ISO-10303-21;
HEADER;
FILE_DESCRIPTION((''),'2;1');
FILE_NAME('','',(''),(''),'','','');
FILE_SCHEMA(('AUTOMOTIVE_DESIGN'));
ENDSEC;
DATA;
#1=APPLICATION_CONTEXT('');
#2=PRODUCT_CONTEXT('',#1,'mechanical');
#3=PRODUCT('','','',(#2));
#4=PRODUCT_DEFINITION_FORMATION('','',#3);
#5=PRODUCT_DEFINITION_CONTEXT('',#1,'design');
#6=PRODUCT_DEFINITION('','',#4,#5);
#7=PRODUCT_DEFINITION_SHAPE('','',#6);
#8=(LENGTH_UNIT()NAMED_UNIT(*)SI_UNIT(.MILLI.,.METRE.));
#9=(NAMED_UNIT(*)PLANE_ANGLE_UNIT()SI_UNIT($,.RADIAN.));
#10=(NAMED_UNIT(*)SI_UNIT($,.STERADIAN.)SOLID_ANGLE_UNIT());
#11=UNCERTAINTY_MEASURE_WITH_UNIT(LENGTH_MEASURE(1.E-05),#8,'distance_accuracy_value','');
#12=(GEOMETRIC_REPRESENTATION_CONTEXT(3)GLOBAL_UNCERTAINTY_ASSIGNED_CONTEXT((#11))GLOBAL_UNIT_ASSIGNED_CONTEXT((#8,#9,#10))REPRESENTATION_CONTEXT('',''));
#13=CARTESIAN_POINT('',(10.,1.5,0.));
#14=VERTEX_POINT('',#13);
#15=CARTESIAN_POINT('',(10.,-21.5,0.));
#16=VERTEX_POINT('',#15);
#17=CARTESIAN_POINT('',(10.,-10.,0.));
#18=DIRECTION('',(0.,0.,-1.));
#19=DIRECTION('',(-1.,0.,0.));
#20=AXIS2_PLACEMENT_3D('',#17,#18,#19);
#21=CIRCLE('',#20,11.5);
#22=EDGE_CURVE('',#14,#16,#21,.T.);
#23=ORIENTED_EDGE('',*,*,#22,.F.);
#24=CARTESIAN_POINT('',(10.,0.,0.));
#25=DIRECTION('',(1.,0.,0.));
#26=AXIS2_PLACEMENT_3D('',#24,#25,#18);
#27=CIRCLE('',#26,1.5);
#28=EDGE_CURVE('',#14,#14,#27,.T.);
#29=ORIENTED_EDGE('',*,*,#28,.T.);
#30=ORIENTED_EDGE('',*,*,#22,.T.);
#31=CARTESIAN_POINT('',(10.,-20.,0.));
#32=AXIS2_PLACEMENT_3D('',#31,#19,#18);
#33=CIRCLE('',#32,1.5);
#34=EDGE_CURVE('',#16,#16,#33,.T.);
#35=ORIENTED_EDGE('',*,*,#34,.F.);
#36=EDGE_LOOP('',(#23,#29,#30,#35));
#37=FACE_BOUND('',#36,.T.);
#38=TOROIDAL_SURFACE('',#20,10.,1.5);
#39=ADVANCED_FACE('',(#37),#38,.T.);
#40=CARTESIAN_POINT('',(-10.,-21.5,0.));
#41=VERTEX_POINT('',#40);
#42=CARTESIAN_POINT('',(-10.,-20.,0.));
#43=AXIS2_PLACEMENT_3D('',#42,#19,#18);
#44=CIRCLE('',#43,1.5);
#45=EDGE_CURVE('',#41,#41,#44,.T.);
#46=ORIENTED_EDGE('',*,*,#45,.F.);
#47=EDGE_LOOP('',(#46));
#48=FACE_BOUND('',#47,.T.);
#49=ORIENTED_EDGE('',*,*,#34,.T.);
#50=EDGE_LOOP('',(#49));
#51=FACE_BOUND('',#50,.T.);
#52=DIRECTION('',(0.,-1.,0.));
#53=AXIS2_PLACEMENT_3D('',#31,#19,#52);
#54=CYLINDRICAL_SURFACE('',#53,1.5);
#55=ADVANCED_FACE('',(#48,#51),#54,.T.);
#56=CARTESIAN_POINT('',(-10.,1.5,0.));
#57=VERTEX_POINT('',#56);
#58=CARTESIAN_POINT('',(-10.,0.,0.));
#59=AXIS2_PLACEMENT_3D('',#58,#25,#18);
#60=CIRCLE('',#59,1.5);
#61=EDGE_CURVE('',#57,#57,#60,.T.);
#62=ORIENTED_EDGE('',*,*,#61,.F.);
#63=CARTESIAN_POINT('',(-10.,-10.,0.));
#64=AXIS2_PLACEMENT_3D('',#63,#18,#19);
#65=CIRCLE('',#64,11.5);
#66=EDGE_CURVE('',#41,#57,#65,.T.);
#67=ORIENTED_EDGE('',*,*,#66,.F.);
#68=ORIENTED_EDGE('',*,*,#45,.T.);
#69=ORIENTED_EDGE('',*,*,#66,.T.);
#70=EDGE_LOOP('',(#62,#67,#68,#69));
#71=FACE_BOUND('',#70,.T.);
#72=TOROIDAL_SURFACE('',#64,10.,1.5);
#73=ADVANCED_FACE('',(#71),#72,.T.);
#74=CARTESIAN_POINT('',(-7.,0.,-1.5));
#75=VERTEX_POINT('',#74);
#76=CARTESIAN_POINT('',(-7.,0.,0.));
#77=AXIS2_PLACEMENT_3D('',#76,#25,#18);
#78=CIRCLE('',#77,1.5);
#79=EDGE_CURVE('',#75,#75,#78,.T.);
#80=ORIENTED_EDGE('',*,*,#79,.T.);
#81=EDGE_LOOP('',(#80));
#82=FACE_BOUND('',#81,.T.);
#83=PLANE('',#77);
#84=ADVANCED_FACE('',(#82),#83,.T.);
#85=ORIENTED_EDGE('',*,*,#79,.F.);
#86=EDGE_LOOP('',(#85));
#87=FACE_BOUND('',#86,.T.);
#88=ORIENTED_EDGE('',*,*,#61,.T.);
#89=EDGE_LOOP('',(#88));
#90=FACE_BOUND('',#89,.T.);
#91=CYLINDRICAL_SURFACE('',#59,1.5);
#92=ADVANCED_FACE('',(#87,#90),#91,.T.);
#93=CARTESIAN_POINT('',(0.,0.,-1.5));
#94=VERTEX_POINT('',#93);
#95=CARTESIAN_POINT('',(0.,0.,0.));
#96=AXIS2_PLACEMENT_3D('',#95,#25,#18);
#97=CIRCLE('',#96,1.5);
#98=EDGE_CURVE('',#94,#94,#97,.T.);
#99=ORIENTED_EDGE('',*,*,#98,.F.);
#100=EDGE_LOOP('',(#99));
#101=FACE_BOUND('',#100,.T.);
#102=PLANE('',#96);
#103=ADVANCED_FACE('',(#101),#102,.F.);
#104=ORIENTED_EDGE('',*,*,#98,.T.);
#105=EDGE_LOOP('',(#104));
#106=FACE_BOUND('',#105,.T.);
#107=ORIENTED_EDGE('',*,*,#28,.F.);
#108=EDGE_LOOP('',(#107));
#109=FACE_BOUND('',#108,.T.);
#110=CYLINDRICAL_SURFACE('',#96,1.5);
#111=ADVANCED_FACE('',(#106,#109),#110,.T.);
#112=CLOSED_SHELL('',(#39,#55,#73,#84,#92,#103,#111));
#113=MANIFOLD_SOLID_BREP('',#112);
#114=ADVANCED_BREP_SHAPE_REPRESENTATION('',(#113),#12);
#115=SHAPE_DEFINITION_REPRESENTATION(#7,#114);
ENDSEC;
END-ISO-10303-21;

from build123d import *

# Parameters (mm, degrees)
SKETCH1_R = 1.5


with BuildPart() as part:
    # Sweep1: sweep along a path in Sketch2
    with BuildLine(Plane.XY) as sweep1_path:
        Line((0, 0), (10, 0))
        ThreePointArc((10, 0), (20, -10), (10, -20))
        Line((10, -20), (-10, -20))
        ThreePointArc((-10, -20), (-20, -10), (-10, 0))
        Line((-10, 0), (-7, 0))
    # Sketch1 → Sweep1 (sweep)
    with BuildSketch(Plane(origin=(0, 0, 0), x_dir=(0, 0, -1), z_dir=(1, 0, 0))):
        Circle(SKETCH1_R)
    sweep(path=sweep1_path.line)


solid = part.part
